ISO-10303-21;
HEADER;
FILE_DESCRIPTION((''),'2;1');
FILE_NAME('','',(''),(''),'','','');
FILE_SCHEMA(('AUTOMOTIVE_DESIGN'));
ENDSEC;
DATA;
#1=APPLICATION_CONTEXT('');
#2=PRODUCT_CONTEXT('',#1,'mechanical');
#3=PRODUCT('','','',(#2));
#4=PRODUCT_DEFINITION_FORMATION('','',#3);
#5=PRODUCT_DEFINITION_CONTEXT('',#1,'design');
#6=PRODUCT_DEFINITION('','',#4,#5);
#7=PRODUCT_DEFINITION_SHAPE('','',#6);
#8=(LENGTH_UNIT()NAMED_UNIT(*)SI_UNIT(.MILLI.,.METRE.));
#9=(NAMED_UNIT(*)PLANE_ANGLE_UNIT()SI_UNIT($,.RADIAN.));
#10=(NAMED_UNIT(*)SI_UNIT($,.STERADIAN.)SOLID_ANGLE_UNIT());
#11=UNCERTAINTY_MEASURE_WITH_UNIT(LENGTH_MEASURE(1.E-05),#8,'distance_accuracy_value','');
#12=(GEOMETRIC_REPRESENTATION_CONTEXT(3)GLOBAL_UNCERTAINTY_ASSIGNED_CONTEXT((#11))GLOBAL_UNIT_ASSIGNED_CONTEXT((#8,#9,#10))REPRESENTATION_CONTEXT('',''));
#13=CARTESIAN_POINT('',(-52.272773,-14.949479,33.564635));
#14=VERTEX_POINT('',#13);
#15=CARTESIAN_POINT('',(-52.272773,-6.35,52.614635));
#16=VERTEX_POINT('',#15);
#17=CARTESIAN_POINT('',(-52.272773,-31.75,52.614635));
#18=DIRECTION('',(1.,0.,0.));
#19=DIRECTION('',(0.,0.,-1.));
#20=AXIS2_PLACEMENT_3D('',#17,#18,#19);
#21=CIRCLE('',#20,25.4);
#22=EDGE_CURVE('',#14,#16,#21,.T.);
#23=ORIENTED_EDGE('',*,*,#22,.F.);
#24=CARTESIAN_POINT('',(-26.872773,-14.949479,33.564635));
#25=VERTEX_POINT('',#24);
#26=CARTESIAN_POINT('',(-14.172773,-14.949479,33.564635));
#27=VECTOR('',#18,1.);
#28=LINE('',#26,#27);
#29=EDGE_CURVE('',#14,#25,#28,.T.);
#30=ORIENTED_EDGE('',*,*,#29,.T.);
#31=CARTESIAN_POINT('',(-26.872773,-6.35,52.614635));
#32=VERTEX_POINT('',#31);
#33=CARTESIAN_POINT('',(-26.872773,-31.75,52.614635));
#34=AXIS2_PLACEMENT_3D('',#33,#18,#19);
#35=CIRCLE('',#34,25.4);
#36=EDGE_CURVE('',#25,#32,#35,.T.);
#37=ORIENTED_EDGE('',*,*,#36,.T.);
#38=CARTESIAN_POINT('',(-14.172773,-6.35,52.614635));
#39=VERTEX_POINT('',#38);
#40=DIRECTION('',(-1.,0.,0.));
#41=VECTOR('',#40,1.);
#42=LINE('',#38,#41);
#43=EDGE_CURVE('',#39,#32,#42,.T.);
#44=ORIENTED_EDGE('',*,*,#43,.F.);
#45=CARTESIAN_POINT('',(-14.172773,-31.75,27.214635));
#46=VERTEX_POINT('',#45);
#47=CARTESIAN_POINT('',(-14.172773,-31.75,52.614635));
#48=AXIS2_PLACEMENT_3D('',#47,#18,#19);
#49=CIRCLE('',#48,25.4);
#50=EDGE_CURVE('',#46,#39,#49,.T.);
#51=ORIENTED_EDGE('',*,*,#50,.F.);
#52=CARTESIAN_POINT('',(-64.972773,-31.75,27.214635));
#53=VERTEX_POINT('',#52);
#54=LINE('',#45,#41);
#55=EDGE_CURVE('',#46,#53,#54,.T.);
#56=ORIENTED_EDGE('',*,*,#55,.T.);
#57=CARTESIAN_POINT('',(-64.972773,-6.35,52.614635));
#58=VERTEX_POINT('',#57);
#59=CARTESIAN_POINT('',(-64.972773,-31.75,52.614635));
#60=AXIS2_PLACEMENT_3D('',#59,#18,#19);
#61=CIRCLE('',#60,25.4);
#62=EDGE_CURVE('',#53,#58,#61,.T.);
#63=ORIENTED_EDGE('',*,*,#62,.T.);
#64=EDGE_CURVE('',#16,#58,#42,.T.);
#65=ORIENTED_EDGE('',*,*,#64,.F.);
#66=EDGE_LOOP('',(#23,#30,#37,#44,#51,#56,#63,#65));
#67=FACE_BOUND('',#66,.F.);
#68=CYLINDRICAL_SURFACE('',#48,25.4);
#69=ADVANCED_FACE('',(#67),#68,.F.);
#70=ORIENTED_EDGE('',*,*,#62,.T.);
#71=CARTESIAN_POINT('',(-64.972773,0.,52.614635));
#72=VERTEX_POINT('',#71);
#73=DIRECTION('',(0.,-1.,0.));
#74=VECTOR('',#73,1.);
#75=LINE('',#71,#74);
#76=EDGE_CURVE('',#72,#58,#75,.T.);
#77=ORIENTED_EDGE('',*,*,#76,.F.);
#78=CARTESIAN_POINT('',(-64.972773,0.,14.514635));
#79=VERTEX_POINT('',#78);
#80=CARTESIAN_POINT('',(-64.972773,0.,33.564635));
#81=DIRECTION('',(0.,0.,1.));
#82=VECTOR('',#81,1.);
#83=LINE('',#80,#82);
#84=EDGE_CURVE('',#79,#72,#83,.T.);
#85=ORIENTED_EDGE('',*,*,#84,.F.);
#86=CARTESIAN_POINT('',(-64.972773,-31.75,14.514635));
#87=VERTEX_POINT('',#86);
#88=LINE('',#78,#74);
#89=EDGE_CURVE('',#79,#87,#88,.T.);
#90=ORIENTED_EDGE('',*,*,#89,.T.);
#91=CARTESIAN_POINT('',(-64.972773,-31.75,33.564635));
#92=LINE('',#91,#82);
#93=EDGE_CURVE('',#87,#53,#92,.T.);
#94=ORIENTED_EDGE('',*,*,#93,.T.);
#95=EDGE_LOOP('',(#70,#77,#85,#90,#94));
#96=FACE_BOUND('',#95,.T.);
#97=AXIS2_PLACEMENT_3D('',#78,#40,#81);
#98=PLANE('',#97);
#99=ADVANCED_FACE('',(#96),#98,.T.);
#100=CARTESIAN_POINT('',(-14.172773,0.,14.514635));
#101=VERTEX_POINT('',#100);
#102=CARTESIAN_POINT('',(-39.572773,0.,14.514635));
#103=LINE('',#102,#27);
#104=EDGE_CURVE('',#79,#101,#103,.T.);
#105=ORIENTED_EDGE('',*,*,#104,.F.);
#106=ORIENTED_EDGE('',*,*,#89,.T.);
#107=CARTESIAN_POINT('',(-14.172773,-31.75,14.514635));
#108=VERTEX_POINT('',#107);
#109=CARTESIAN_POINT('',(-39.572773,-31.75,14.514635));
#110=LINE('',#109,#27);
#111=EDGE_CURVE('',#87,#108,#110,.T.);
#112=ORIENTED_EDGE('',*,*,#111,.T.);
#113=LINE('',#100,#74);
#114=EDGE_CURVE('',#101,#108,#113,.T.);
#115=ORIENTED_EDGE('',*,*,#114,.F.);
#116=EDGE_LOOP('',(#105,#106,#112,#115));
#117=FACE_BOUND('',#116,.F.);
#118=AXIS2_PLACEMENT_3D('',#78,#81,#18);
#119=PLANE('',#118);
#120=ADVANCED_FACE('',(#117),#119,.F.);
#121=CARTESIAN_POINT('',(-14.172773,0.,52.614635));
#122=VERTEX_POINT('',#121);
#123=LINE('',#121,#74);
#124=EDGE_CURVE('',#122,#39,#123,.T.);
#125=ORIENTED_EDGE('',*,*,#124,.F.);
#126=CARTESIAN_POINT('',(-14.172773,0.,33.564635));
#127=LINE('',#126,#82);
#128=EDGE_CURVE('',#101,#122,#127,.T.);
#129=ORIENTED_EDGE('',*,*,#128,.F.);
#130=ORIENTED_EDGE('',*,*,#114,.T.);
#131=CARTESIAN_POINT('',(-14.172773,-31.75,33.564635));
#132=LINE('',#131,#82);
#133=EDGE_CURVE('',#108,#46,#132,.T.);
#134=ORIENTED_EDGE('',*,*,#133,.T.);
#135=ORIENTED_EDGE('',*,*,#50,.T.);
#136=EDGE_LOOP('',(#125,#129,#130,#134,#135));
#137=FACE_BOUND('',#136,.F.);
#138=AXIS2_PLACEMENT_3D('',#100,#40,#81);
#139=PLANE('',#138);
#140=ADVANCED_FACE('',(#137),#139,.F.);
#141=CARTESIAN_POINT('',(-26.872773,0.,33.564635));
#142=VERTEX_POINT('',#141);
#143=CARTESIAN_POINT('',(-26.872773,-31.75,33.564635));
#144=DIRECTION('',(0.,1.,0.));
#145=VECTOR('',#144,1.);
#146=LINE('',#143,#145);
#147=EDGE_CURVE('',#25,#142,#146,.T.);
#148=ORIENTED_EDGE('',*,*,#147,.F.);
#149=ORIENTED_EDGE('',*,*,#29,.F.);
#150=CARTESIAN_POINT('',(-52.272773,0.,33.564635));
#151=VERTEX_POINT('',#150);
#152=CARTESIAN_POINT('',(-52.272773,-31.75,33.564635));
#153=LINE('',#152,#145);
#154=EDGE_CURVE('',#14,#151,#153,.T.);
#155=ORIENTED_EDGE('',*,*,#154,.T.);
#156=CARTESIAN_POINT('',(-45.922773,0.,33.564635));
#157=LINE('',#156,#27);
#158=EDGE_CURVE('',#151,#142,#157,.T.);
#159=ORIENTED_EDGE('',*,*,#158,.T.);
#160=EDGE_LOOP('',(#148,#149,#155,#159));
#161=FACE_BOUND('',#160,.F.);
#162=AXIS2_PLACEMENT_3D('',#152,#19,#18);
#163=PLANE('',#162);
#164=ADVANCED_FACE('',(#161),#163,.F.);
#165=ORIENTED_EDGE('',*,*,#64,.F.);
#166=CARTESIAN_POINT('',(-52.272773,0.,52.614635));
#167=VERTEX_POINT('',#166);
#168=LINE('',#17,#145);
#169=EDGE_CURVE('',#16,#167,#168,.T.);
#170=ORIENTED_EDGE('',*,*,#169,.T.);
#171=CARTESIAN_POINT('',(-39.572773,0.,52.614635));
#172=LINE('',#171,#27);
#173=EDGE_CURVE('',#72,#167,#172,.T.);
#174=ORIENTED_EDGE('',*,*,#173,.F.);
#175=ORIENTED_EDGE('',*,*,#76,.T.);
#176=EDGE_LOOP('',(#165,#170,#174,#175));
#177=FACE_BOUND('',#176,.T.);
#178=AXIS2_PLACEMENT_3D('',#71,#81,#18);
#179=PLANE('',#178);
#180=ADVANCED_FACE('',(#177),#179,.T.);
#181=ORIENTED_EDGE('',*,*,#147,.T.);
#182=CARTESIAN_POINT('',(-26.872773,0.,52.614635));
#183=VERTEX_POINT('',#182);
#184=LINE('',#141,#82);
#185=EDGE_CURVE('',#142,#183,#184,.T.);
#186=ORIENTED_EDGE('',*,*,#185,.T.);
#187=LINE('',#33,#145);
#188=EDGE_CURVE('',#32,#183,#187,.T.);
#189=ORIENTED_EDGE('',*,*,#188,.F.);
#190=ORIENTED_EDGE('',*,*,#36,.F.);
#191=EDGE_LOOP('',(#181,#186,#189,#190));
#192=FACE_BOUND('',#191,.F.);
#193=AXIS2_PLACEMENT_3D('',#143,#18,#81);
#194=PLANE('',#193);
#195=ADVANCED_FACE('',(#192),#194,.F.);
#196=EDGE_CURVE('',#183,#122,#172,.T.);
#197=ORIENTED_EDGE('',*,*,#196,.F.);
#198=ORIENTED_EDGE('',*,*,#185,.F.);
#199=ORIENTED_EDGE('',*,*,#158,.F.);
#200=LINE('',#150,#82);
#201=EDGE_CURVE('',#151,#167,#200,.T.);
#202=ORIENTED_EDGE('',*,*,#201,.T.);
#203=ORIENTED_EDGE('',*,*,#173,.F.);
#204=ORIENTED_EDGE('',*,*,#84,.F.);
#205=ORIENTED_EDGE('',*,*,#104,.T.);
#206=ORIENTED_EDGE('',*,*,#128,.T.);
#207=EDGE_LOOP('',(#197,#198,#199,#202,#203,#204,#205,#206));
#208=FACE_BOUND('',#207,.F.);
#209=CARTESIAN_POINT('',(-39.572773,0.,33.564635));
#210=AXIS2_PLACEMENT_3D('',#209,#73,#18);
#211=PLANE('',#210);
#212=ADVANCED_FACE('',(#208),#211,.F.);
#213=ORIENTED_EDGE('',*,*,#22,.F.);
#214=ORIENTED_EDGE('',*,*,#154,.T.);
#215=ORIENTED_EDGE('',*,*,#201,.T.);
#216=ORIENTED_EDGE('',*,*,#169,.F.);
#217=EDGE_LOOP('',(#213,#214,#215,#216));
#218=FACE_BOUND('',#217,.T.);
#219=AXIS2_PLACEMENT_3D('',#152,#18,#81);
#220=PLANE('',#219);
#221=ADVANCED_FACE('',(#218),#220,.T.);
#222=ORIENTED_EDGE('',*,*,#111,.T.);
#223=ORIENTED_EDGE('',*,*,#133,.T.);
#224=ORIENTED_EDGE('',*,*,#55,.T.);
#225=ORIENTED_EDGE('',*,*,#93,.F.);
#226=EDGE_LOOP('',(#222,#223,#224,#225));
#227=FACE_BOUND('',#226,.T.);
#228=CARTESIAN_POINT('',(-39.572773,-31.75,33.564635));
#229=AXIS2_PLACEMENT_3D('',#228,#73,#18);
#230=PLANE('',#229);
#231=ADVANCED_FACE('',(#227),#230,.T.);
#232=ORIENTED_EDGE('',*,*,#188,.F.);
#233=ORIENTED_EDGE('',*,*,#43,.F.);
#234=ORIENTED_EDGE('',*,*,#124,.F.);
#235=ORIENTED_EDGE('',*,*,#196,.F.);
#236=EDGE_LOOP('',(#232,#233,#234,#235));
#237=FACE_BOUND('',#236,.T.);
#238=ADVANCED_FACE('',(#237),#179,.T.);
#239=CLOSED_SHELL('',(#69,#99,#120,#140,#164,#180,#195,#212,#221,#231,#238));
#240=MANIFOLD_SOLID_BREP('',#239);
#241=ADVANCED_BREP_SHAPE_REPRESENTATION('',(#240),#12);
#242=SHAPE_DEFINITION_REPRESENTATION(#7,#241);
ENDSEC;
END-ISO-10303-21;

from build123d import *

# Parameters (mm, degrees)
F0_W     = 50.8
F0_H     = 38.1
F1_DEPTH = 31.75
F2_W     = 25.4
F2_H     = 19.05
F3_DEPTH = 31.751
F5_DEPTH = 50.801


with BuildPart() as f1:
    # F0 (on Front) → F1 (new body)
    with BuildSketch(Plane.XZ):
        with Locations((-39.57277257, 33.5646352235)):
            Rectangle(F0_W, F0_H)
    extrude(amount=F1_DEPTH)

    # F2 (on face) → F3 (cut, through all)
    with BuildSketch(Plane.XZ.offset(31.75)):
        with Locations((-39.57277257, 43.0896352235)):
            Rectangle(F2_W, F2_H)
    extrude(amount=-F3_DEPTH, mode=Mode.SUBTRACT)

    # F4 (on face) → F5 (cut, through all)
    with BuildSketch(Plane.YZ.offset(-14.17277257)):
        with BuildLine():
            ThreePointArc((-31.75, 27.2146352235), (-13.7894877579, 34.6541229814), (-6.35, 52.6146352235))
            Line((-6.35, 52.6146352235), (-31.75, 52.6146352235))
            Line((-31.75, 52.6146352235), (-31.75, 27.2146352235))
        make_face()
    extrude(amount=-F5_DEPTH, mode=Mode.SUBTRACT)


solid = f1.part
